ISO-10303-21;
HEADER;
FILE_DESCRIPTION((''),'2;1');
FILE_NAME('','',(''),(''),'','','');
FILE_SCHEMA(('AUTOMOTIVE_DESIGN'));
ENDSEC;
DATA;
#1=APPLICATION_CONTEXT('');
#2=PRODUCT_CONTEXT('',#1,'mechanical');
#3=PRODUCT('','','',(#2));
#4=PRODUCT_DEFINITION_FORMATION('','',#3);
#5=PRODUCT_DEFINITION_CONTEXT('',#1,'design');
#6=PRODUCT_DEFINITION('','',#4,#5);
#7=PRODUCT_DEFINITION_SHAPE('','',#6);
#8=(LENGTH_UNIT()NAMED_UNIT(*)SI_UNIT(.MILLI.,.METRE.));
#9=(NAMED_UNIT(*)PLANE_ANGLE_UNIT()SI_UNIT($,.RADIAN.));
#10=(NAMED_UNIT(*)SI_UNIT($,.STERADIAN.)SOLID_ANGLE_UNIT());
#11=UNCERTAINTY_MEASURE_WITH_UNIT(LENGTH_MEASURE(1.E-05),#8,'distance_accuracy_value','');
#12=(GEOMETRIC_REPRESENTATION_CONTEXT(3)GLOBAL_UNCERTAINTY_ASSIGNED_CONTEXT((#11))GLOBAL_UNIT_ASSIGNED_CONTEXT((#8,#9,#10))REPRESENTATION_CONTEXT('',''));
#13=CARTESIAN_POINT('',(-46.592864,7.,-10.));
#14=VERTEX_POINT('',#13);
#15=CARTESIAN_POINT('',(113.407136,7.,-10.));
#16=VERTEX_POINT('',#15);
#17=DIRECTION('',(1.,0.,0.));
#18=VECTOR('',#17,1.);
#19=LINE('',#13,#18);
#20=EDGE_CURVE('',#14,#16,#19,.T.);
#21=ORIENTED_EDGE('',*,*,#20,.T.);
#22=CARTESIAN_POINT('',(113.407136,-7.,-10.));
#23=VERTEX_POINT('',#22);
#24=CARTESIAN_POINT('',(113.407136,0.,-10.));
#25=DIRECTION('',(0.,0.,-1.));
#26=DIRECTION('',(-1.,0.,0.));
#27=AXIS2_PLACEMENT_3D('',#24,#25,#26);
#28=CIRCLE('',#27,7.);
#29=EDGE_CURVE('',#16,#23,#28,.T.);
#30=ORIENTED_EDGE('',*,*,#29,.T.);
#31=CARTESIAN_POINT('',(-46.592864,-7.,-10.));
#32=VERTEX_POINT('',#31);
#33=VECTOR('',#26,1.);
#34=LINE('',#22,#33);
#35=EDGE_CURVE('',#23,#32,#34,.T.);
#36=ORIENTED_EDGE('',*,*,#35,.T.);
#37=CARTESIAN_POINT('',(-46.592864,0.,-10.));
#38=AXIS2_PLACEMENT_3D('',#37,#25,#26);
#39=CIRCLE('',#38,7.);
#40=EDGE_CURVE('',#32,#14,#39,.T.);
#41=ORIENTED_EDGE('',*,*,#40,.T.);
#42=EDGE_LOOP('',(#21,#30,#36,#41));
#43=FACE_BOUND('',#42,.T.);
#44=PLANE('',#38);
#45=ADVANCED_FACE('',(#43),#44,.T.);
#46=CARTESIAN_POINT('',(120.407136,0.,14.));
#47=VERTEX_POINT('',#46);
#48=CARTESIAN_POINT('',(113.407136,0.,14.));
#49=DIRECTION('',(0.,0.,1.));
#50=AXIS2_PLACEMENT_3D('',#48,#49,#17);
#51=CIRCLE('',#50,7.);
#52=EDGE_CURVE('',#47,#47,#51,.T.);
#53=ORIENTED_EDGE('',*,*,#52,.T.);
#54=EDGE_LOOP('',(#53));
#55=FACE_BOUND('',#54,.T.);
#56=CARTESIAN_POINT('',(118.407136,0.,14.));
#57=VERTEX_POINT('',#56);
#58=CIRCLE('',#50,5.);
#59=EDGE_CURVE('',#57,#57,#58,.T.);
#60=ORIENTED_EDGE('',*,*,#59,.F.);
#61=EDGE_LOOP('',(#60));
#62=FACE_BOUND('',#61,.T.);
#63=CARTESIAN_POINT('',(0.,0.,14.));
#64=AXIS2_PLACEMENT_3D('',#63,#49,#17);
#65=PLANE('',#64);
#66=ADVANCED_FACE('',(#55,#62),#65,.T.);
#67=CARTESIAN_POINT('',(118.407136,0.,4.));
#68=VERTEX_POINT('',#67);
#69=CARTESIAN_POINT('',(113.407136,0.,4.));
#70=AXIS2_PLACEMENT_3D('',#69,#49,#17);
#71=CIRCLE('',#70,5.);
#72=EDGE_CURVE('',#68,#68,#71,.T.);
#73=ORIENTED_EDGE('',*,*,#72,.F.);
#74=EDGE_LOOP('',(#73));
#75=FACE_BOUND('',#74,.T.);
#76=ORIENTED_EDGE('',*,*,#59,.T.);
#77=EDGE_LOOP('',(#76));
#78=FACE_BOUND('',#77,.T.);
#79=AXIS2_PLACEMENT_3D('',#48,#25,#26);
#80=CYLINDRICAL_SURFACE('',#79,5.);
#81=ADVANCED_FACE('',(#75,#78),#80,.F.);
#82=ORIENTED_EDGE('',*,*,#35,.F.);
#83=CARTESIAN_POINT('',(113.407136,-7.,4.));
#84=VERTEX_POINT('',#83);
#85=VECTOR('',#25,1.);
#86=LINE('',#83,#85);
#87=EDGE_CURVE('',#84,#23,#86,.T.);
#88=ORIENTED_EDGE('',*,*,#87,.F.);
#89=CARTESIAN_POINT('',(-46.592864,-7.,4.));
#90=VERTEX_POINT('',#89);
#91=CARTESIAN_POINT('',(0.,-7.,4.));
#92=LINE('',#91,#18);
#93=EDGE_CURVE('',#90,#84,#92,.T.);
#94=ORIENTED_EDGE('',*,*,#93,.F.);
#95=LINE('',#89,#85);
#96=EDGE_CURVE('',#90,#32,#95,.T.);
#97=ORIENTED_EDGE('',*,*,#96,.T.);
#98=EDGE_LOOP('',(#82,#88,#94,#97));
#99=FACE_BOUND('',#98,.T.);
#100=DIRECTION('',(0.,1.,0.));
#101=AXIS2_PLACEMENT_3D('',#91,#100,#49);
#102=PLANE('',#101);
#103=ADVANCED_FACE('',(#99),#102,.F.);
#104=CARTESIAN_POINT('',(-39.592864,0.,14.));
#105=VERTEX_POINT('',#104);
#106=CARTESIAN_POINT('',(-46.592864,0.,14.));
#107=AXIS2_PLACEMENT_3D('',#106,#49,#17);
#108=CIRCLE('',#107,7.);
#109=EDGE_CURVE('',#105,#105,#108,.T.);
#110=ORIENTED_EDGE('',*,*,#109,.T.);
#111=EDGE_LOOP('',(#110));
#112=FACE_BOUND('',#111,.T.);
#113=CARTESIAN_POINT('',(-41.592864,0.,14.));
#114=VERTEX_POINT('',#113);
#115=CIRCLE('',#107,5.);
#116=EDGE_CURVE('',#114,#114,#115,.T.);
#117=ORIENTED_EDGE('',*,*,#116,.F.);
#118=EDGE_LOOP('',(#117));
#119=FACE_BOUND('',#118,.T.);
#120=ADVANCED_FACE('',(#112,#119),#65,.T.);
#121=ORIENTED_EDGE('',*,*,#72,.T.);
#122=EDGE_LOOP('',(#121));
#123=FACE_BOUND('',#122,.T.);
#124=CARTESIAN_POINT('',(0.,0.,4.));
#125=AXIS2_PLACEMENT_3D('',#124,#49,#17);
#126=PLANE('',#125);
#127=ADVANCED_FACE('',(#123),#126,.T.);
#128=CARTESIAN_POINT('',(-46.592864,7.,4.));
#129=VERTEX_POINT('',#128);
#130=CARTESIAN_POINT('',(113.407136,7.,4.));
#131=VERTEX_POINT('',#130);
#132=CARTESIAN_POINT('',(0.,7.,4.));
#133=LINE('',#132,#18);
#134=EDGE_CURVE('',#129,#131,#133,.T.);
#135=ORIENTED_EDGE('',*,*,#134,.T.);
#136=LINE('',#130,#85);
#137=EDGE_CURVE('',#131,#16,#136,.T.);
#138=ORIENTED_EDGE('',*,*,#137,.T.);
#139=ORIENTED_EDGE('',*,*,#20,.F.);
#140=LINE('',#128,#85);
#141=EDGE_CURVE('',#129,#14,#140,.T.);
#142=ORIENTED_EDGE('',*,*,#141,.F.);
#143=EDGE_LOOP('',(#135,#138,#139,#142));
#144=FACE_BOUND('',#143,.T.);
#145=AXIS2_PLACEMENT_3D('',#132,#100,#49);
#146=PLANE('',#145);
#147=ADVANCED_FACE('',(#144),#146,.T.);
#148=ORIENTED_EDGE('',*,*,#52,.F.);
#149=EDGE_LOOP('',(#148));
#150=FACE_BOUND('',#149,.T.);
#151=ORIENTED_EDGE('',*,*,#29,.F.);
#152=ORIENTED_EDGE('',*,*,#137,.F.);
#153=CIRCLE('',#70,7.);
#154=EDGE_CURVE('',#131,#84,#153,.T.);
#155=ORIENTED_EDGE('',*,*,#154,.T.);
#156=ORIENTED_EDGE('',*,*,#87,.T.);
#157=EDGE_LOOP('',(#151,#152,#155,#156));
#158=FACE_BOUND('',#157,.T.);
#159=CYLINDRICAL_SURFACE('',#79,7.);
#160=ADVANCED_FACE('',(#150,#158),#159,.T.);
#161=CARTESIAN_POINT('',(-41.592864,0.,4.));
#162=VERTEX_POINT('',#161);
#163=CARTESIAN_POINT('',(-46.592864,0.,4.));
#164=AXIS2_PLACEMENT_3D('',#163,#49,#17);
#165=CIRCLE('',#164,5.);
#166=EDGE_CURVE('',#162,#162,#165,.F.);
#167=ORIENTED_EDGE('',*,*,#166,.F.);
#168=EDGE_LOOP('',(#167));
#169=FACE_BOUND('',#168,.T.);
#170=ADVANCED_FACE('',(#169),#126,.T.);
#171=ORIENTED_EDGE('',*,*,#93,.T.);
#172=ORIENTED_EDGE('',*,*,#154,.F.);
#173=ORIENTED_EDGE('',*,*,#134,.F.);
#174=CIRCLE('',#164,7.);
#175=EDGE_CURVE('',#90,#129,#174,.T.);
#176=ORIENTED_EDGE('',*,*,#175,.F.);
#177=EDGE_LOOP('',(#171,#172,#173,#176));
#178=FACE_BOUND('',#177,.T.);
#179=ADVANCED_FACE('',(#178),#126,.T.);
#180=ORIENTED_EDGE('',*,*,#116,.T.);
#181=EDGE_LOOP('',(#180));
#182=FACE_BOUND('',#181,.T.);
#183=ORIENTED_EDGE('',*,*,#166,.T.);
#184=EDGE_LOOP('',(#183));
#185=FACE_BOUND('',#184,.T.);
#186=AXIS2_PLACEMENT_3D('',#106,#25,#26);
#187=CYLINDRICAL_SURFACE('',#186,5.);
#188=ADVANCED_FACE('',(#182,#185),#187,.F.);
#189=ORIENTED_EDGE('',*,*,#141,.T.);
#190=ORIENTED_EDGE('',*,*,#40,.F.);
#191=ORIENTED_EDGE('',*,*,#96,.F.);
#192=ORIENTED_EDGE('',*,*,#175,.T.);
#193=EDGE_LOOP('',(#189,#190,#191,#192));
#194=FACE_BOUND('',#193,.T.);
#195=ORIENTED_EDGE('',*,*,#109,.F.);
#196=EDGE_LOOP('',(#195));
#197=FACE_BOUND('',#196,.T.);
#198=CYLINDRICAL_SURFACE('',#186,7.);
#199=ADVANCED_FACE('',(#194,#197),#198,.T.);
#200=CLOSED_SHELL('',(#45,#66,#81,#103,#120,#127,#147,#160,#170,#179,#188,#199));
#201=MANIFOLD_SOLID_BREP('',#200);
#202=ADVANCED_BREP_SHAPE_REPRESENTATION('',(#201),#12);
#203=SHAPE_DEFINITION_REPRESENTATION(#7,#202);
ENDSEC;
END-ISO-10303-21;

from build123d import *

# Parameters (mm, degrees)
EXTRUDE_2_DEPTH   = 4
SKETCH_1_R        = 5
EXTRUDE_2_2_DEPTH = 4
EXTRUDE_2_3_DEPTH = 4
SKETCH_1_4_R      = 7
SKETCH_1_4_R_2    = 5
EXTRUDE_3_DEPTH   = 14
EXTRUDE_START     = 10
EXTRUDE_4_DEPTH   = 10


with BuildPart() as part:
    # 草图1 → 凸台-拉伸2 (new body)
    with BuildSketch(Plane.XY):
        with BuildLine():
            ThreePointArc((-46.592863908, 7), (-39.592863908, 0), (-46.592863908, -7))
            Line((-46.592863908, -7), (113.407136092, -7))
            ThreePointArc((113.407136092, -7), (106.407136092, 0), (113.407136092, 7))
            Line((113.407136092, 7), (-46.592863908, 7))
        make_face()
    extrude(amount=EXTRUDE_2_DEPTH)



with BuildPart() as body_2:
    # 草图1 → Extrude 2 2 (new body)
    with BuildSketch(Plane.XY):
        with Locations((-46.592863908, 0)):
            Circle(SKETCH_1_R)
    extrude(amount=EXTRUDE_2_2_DEPTH)


with BuildPart() as body_3:
    # 草图1 → Extrude 2 3 (new body)
    with BuildSketch(Plane.XY):
        with Locations((113.407136092, 0)):
            Circle(SKETCH_1_R)
    extrude(amount=EXTRUDE_2_3_DEPTH)


with BuildPart() as part_1:
    add(part.part)

    add(body_2.part)  # 凸台-拉伸3 merges body 2

    add(body_3.part)  # 凸台-拉伸3 merges body 3
    # 草图1<4> → 凸台-拉伸3 (add)
    # profile 1 of 2: a face of its own
    with BuildSketch(Plane.XY):
        with Locations((-46.592863908, 0)):
            Circle(SKETCH_1_4_R)
        with Locations((-46.592863908, 0)):
            Circle(SKETCH_1_4_R_2, mode=Mode.SUBTRACT)
    # profile 2 of 2: a face of its own
    with BuildSketch(Plane.XY):
        with Locations((113.407136092, 0)):
            Circle(SKETCH_1_4_R)
        with Locations((113.407136092, 0)):
            Circle(SKETCH_1_4_R_2, mode=Mode.SUBTRACT)
    extrude(amount=EXTRUDE_3_DEPTH)

    # 草图2 → 凸台-拉伸4 (add)
    with BuildSketch(Plane(origin=(0, 0, 0), x_dir=(-1, 0, 0), z_dir=(0, 0, -1)).offset(EXTRUDE_START)):
        with BuildLine():
            Line((46.592863908, 7), (-113.407136092, 7))
            ThreePointArc((-113.407136092, 7), (-120.407136092, 0), (-113.407136092, -7))
            Line((-113.407136092, -7), (46.592863908, -7))
            ThreePointArc((46.592863908, -7), (53.592863908, 0), (46.592863908, 7))
        make_face()
    extrude(amount=-EXTRUDE_4_DEPTH)


solid = part_1.part
